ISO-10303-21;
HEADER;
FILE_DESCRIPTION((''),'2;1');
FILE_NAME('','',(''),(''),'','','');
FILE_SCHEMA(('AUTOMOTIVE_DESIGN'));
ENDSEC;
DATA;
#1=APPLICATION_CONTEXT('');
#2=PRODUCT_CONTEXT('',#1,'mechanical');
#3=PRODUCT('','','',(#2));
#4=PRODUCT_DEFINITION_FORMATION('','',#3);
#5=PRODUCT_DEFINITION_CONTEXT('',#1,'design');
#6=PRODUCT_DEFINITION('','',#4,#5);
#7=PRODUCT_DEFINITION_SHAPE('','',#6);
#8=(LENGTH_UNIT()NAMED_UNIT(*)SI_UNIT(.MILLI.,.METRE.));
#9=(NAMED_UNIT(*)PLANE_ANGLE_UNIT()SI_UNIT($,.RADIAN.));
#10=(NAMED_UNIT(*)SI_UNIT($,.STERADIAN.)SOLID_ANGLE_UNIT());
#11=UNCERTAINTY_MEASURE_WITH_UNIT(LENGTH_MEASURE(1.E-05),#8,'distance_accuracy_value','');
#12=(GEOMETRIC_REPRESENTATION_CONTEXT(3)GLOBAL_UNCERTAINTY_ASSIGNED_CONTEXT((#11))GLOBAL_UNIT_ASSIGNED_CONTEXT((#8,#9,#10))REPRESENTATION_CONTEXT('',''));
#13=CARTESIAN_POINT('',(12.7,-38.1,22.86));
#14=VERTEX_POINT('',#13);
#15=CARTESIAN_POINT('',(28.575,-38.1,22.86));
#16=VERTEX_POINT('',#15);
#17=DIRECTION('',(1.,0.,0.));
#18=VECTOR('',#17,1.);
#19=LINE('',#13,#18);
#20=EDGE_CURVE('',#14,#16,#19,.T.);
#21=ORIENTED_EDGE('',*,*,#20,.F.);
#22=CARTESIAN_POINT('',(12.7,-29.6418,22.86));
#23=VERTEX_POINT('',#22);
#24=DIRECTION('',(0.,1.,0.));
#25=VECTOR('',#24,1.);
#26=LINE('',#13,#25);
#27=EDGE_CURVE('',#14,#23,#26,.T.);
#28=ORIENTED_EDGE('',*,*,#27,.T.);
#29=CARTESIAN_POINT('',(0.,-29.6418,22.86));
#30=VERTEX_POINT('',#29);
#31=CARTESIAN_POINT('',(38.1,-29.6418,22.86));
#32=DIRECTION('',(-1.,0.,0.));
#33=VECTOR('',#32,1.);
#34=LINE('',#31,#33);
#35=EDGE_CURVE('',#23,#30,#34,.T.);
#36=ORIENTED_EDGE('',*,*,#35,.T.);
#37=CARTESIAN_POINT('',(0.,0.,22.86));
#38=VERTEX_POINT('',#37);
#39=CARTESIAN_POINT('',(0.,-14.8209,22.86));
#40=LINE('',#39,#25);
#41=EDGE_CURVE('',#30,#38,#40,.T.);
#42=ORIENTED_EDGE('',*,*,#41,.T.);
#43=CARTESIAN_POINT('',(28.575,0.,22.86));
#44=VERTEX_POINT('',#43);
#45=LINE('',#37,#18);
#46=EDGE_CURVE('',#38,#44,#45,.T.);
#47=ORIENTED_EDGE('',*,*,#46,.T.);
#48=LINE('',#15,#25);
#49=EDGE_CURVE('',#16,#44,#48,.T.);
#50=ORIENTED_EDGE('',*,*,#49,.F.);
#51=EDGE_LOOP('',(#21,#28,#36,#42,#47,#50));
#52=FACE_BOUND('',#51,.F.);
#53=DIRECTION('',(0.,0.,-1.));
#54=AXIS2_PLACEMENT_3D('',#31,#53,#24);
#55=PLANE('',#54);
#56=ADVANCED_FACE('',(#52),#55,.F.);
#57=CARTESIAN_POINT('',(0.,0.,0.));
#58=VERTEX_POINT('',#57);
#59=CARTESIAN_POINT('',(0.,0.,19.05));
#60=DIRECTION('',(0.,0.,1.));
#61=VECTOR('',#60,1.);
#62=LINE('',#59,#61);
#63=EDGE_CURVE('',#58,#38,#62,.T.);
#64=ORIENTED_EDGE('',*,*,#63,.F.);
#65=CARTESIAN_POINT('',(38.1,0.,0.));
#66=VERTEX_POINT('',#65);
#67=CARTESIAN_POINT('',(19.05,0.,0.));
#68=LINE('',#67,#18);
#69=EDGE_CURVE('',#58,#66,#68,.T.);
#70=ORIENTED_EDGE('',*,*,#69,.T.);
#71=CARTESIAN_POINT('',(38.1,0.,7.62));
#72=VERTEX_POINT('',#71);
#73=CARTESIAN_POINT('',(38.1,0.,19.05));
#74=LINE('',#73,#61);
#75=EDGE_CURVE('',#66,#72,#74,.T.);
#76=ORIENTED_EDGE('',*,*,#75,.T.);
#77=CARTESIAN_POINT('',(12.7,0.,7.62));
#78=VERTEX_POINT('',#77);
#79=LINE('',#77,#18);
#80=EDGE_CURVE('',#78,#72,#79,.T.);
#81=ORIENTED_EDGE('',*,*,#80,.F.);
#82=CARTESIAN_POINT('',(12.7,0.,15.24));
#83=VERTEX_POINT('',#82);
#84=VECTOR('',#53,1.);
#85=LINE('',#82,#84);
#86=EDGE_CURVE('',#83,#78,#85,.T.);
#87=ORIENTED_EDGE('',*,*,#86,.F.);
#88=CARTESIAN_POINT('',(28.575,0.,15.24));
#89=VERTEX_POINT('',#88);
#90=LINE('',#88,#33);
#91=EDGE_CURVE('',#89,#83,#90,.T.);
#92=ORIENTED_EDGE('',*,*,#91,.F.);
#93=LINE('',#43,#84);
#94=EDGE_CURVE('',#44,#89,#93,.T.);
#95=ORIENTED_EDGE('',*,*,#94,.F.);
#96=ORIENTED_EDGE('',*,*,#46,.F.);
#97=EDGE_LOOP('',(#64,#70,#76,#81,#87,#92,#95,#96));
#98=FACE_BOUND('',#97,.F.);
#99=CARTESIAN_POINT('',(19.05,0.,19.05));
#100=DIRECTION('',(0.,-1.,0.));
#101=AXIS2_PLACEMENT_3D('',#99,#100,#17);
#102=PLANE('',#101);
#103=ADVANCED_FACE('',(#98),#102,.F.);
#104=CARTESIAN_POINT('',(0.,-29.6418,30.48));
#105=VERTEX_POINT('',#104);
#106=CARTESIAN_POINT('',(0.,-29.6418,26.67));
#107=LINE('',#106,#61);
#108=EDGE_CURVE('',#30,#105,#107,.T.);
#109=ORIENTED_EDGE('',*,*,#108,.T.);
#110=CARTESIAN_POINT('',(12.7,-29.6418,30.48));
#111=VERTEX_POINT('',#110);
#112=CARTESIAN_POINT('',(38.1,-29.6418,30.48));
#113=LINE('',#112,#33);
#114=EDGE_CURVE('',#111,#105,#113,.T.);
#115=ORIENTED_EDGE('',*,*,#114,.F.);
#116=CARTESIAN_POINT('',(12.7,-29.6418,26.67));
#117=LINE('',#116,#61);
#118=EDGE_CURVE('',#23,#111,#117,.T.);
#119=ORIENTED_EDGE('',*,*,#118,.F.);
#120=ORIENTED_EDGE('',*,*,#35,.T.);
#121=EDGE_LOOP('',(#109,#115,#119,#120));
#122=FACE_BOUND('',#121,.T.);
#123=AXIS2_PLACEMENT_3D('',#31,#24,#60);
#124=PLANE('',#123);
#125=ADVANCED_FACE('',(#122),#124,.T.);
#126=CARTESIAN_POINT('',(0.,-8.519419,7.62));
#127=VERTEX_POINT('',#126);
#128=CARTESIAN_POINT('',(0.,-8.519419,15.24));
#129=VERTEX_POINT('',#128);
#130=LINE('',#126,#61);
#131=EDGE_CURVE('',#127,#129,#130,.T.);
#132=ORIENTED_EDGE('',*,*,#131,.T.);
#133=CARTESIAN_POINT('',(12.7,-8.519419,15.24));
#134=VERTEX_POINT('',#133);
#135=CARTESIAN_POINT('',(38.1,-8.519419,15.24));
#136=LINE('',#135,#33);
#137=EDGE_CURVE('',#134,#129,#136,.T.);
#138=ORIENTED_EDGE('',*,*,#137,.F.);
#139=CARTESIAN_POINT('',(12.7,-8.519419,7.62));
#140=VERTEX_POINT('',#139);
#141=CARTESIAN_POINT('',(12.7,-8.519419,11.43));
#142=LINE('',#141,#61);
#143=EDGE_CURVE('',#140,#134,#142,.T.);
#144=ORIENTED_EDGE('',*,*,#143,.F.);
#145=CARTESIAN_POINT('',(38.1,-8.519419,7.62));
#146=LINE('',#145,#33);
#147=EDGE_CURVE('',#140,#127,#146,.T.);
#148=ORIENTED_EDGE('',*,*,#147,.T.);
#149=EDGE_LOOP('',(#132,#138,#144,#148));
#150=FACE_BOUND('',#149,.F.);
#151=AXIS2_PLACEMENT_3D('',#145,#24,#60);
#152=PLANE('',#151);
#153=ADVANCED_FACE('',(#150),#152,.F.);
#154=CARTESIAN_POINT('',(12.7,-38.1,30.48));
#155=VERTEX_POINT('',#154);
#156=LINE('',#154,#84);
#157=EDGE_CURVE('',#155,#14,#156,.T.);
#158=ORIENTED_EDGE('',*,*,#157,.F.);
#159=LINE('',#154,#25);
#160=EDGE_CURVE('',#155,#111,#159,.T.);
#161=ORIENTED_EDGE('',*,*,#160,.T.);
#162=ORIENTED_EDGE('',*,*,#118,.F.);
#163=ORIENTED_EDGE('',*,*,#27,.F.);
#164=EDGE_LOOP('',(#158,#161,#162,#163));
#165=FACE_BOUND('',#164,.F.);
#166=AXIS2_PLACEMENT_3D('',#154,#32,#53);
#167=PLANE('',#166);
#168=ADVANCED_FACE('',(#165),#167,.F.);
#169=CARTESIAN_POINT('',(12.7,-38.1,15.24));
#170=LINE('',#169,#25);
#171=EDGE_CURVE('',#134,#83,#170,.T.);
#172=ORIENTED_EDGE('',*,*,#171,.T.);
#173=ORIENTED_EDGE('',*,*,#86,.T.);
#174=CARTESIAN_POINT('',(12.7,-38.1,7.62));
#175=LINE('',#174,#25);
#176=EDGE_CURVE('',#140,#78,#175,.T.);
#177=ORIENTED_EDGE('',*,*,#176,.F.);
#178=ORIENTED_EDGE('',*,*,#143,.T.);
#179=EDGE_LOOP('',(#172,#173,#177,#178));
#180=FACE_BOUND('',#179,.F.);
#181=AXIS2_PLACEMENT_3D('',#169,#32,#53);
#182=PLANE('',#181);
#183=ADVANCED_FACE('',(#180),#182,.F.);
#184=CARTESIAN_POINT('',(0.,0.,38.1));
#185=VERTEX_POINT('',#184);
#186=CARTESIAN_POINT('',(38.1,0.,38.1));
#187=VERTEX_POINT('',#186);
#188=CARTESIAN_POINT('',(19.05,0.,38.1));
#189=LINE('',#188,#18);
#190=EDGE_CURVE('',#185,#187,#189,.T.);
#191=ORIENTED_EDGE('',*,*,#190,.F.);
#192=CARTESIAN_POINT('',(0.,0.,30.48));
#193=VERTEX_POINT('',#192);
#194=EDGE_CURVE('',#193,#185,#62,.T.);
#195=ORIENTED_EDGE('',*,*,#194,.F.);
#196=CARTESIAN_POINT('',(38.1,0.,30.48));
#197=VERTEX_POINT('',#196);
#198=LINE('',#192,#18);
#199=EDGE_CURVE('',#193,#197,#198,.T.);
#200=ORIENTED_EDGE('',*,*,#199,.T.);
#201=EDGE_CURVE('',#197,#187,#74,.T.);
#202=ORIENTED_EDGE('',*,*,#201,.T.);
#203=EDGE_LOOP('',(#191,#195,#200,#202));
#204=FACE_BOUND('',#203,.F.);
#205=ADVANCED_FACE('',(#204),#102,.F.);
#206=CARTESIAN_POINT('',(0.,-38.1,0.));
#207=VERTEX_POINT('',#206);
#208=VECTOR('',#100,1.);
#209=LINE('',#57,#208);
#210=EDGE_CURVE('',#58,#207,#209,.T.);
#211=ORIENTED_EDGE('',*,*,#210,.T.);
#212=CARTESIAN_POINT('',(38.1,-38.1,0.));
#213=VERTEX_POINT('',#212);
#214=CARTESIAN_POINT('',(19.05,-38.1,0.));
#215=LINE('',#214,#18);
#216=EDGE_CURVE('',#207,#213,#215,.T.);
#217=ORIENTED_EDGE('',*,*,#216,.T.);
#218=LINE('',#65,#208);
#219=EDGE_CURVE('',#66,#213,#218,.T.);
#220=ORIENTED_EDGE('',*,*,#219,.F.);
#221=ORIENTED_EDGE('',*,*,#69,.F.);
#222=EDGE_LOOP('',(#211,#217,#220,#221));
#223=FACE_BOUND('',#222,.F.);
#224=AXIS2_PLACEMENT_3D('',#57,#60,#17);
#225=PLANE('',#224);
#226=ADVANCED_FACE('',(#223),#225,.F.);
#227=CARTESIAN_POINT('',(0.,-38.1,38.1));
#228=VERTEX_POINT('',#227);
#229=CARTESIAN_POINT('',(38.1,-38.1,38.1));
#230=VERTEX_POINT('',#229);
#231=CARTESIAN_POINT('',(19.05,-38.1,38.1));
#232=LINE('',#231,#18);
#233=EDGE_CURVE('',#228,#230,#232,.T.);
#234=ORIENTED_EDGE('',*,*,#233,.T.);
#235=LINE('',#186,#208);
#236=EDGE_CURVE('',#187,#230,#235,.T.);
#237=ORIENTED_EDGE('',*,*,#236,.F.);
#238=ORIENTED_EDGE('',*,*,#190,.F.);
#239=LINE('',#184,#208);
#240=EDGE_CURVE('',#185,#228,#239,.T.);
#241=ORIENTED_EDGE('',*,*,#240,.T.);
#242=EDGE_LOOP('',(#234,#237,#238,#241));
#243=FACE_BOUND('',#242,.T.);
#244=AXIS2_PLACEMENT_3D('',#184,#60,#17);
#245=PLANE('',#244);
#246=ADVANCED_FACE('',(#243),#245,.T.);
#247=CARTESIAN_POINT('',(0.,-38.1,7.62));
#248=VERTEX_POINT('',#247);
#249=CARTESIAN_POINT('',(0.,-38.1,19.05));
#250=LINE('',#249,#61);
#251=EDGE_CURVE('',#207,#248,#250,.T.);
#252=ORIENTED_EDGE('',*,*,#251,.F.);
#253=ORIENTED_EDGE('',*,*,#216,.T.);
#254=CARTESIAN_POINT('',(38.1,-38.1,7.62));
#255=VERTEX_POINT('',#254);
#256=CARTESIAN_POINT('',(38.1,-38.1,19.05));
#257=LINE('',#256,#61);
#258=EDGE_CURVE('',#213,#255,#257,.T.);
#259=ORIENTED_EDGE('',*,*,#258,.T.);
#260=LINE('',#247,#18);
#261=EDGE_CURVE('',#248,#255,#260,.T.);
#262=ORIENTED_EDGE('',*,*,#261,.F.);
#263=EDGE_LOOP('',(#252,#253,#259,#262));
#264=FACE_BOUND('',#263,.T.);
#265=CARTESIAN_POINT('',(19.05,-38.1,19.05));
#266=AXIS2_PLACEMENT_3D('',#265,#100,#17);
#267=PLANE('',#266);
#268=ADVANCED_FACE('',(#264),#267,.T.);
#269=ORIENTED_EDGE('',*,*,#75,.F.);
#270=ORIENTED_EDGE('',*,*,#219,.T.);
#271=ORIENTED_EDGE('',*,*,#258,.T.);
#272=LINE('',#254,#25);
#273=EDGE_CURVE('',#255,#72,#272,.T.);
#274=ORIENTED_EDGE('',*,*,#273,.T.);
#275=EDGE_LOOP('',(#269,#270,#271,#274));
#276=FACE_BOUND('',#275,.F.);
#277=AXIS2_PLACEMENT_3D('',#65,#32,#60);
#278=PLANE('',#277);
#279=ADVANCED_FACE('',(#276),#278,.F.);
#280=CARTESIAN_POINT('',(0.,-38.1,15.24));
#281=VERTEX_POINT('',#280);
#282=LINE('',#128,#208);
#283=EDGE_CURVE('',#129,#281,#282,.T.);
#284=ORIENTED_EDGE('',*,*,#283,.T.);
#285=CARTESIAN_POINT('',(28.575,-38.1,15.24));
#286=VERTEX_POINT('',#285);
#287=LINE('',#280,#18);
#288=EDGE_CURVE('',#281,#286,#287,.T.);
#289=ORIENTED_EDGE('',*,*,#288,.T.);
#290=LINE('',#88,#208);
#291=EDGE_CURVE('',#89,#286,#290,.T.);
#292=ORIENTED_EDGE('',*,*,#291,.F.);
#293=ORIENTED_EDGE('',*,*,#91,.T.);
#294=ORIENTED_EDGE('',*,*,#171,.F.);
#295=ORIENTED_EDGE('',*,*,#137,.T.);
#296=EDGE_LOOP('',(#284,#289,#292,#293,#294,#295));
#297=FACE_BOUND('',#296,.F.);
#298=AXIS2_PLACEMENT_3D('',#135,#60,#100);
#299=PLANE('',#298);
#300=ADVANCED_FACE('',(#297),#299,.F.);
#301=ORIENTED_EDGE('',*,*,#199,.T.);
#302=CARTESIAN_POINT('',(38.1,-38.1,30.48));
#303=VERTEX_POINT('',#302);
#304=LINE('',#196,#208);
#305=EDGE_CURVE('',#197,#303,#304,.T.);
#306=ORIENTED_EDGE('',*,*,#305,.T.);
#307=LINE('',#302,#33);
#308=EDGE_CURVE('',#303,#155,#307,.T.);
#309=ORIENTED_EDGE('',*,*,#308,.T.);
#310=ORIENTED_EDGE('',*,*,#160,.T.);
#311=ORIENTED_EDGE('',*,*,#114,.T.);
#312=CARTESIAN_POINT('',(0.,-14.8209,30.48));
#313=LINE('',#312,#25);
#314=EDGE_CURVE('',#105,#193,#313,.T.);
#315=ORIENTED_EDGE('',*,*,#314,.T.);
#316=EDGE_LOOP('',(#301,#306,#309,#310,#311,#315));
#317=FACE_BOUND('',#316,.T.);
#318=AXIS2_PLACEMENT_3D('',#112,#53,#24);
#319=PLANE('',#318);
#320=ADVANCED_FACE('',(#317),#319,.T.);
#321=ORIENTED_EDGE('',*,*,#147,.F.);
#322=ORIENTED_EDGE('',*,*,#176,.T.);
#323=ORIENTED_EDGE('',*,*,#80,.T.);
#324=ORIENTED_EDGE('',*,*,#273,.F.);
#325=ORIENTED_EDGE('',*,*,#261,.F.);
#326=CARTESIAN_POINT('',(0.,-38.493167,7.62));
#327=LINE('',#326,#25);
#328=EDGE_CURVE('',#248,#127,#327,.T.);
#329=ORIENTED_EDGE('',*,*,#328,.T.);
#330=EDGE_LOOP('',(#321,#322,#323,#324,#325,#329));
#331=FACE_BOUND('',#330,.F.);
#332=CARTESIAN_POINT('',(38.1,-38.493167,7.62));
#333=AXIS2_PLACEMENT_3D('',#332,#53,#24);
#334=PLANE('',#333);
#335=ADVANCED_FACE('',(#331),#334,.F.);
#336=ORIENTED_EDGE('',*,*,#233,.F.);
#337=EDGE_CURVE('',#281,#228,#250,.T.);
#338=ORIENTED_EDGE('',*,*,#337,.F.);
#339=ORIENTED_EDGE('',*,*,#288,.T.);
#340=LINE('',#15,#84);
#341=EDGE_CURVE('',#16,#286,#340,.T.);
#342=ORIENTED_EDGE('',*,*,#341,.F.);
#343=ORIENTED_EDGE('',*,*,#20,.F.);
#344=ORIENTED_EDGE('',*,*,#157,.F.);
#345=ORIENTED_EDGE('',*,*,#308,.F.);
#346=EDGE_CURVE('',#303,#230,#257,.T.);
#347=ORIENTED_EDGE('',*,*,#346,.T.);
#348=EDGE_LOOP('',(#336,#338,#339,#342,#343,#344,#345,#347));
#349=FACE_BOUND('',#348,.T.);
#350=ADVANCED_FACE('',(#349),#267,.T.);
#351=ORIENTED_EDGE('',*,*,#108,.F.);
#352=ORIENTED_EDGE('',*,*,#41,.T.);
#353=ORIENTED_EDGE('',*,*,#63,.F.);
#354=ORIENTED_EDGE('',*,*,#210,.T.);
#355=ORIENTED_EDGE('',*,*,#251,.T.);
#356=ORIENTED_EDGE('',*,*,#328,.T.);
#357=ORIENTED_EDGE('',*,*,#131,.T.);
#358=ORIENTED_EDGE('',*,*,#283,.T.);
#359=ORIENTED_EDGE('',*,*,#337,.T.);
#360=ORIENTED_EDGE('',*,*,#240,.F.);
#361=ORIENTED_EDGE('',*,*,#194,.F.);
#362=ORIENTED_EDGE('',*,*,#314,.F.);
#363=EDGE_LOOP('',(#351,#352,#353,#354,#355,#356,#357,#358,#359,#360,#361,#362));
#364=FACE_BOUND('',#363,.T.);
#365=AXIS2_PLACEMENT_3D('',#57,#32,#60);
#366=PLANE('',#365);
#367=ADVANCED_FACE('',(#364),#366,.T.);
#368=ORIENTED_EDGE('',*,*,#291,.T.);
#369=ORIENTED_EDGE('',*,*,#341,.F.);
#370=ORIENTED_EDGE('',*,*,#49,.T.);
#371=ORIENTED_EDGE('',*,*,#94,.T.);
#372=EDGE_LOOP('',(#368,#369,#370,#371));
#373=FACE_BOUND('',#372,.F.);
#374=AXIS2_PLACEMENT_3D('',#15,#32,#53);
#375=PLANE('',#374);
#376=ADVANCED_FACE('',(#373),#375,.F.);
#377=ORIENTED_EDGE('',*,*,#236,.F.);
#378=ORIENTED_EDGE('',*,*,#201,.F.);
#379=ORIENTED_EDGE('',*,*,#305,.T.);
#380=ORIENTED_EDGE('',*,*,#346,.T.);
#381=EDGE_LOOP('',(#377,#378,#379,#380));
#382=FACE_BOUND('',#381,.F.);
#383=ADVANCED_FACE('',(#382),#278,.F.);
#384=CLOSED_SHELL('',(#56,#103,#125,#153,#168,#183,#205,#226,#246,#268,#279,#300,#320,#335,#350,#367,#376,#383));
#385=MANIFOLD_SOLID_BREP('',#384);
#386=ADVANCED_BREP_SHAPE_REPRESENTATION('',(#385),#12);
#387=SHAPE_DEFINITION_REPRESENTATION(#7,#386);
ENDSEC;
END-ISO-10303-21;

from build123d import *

# Parameters (mm, degrees)
F0_W     = 38.1
F0_H     = 38.1
F1_DEPTH = 38.1
F5_W     = 29.6418
F5_H     = 7.62
F6_DEPTH = 38.1
F8_DEPTH = 38.1


with BuildPart() as f1:
    # F0 (on Front) → F1 (new body)
    with BuildSketch(Plane.XZ):
        with Locations((19.05, 19.05)):
            Rectangle(F0_W, F0_H)
    extrude(amount=F1_DEPTH)

    # F5 (on offset) → F6 (cut)
    with BuildSketch(Plane.YZ.offset(38.1)):
        with Locations((-14.8209, 26.67)):
            Rectangle(F5_W, F5_H)
        Polygon((-8.519419, 15.24), (-38.160126, 15.24), (-38.493167, 7.62), (-8.519419, 7.62), align=None)
    extrude(amount=-F6_DEPTH, mode=Mode.SUBTRACT)

    # F7 (on offset) → F8 (cut)
    with BuildSketch(Plane.XZ.offset(38.1)):
        Polygon((38.1, 7.62), (38.1, 30.48), (12.7, 30.48), (12.7, 22.86), (28.575, 22.86), (28.575, 15.24), (12.7, 15.24), (12.7, 7.62), align=None)
    extrude(amount=-F8_DEPTH, mode=Mode.SUBTRACT)


solid = f1.part
